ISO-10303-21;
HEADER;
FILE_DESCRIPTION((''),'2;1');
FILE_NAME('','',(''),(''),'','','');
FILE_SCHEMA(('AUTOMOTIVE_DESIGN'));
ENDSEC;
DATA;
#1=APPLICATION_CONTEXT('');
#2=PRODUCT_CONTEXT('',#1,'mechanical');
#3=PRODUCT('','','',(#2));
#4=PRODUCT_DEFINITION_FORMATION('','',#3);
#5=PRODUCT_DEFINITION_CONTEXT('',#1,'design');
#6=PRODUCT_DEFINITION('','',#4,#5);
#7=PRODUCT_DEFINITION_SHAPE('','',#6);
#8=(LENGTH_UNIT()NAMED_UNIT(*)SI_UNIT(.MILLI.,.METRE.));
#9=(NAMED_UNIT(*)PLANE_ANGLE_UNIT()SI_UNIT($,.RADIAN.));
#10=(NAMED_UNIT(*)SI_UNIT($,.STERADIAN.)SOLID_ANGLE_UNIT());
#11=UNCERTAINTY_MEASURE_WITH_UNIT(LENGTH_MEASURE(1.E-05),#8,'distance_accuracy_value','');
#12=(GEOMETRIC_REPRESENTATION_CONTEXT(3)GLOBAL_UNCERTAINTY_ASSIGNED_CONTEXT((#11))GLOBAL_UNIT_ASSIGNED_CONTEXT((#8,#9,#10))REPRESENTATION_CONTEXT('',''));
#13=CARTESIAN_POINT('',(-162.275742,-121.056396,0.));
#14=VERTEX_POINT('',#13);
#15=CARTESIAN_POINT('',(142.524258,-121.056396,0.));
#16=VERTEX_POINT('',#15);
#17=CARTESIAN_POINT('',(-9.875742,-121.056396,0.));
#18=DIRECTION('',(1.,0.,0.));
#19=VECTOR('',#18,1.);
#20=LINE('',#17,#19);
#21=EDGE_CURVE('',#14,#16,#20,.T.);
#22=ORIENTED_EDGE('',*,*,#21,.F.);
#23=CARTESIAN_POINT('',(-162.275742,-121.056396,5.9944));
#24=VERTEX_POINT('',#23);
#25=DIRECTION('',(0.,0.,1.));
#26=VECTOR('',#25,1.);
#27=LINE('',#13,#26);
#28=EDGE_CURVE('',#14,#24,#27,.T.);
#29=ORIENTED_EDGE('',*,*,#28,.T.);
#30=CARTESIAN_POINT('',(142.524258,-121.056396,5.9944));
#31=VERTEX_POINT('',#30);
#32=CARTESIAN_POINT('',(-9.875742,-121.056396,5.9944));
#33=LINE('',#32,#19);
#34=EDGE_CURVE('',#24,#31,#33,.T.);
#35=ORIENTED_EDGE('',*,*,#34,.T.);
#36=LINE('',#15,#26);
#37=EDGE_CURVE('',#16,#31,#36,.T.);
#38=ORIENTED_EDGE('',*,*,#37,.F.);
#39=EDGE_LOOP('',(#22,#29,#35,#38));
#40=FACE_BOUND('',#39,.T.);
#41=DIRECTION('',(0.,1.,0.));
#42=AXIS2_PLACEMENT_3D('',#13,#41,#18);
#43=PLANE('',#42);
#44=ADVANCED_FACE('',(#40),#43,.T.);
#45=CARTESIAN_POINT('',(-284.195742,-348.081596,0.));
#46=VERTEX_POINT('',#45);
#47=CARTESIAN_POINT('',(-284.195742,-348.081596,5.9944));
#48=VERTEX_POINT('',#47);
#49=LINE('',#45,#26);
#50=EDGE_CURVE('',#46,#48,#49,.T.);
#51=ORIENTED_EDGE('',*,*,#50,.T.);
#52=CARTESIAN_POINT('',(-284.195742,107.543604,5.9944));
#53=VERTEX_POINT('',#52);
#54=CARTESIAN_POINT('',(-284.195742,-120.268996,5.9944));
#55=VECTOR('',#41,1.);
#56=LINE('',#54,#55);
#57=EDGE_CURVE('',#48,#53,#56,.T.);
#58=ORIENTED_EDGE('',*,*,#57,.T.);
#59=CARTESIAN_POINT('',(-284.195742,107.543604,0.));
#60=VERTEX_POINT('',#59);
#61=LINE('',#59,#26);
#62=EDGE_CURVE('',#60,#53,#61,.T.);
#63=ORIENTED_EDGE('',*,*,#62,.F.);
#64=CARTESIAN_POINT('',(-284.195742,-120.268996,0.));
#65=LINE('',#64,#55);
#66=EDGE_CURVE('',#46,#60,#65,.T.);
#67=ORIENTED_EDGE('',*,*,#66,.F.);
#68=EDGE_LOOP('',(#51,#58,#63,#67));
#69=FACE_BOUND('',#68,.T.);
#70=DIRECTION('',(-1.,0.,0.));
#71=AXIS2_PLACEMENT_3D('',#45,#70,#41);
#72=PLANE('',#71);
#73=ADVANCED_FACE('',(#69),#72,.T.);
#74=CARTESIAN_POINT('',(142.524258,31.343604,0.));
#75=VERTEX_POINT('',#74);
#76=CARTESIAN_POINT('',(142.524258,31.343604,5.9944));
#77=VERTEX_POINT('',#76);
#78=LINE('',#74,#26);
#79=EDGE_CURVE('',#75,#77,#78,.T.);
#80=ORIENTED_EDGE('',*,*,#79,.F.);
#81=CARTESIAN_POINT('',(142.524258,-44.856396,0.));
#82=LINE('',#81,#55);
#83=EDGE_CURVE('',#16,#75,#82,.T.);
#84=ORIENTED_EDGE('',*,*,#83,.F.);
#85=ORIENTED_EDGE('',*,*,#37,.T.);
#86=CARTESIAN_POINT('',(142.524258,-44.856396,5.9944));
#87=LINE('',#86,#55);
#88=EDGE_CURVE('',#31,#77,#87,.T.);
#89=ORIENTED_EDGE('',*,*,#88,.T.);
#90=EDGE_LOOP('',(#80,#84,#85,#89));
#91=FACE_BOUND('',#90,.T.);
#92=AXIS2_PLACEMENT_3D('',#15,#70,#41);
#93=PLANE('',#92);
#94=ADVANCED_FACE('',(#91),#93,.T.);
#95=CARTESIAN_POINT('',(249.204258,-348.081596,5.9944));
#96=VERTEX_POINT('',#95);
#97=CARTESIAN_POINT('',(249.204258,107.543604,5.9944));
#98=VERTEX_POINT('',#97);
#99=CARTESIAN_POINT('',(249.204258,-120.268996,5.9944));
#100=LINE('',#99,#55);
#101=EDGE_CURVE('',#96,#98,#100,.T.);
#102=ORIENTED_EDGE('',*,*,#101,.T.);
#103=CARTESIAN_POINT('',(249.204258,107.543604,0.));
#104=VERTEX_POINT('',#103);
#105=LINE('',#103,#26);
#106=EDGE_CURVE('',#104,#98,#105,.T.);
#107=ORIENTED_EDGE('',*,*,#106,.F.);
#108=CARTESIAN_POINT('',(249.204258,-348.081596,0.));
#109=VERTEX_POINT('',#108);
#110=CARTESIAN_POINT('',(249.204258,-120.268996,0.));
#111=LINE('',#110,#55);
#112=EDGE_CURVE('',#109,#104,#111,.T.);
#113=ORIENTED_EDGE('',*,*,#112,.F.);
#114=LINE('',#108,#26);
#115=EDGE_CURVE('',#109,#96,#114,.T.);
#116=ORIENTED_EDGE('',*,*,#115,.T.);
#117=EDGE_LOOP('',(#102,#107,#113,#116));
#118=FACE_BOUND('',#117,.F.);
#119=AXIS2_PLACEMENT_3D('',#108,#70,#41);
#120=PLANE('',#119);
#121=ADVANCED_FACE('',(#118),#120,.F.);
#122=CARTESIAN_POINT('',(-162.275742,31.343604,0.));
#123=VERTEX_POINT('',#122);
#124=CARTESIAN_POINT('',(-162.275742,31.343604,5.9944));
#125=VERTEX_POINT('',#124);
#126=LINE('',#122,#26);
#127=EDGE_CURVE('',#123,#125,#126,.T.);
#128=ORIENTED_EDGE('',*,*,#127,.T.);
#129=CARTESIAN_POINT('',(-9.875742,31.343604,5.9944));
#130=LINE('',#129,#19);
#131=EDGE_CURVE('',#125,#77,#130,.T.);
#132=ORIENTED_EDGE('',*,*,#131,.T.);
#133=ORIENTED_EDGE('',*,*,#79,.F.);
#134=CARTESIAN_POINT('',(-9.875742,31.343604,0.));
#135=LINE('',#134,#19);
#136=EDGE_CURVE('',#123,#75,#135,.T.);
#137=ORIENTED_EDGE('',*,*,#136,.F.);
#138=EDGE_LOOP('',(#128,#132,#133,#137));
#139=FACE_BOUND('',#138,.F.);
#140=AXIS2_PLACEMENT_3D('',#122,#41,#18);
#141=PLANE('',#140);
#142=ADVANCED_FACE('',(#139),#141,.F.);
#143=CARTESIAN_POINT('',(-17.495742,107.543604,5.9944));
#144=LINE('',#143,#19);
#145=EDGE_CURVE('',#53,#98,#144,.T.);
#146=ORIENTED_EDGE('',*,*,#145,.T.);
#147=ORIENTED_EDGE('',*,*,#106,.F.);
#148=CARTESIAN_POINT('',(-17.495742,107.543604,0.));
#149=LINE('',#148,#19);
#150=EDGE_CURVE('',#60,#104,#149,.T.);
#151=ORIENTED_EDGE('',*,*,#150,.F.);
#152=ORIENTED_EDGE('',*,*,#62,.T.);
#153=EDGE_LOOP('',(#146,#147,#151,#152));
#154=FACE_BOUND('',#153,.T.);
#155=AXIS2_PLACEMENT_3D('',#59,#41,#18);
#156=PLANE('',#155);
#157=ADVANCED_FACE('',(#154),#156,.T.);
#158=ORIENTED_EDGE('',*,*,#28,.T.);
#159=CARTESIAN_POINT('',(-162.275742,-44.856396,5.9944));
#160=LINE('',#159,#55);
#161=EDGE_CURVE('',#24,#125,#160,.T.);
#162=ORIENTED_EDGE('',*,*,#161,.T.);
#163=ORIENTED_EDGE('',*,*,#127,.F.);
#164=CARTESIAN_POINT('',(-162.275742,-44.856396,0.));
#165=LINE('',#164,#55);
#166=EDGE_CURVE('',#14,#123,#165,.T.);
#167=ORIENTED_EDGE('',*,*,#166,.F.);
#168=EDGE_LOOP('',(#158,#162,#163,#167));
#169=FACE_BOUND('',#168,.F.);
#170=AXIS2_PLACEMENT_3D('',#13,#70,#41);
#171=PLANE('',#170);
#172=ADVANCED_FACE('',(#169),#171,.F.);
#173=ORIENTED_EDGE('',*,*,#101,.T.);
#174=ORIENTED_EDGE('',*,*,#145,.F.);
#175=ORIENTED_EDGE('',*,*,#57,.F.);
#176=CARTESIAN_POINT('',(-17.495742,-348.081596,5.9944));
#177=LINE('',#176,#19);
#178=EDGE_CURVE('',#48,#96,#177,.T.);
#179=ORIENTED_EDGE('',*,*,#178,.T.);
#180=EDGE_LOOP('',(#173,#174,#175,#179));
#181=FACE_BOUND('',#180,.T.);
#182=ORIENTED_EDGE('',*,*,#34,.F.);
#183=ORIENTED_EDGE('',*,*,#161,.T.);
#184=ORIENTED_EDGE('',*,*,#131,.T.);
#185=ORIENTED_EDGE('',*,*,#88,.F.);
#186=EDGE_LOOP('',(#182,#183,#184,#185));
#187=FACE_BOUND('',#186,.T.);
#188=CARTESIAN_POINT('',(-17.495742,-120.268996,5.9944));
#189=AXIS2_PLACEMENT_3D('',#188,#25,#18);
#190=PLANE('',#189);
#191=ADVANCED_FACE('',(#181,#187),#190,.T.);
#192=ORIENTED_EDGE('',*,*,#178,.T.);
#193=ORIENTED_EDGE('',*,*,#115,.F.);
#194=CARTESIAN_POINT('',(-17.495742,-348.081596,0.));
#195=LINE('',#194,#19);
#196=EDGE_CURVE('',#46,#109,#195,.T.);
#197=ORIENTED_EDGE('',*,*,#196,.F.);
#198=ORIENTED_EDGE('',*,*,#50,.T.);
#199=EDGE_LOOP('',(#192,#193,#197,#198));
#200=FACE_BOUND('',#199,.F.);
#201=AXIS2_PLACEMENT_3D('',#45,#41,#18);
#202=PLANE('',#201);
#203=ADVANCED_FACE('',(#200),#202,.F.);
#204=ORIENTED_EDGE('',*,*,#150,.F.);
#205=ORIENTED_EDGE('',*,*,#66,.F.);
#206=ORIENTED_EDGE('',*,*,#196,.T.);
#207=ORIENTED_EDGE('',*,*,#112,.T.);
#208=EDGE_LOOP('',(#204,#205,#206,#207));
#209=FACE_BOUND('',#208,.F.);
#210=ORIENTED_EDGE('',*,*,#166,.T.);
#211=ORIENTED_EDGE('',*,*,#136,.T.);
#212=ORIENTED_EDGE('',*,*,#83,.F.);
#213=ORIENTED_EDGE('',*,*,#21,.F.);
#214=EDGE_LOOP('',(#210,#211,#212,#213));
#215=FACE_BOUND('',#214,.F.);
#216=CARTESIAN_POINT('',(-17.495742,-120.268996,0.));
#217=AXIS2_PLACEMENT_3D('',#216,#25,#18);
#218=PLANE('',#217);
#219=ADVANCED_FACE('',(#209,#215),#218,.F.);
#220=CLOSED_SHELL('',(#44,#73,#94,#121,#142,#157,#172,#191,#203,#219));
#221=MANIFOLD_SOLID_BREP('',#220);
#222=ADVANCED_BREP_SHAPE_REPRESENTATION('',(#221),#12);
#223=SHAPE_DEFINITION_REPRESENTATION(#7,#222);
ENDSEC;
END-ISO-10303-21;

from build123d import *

# Parameters (mm, degrees)
SKETCH_W      = 533.4
SKETCH_H      = 455.6252
SKETCH_W_2    = 304.8
SKETCH_H_2    = 152.4
EXTRUDE_DEPTH = 5.9944


with BuildPart() as part:
    # Sketch → Extrude (new body)
    with BuildSketch(Plane.XY):
        with Locations((-17.495742, -120.268996)):
            Rectangle(SKETCH_W, SKETCH_H)
        with Locations((-9.875742, -44.856396)):
            Rectangle(SKETCH_W_2, SKETCH_H_2, mode=Mode.SUBTRACT)
    extrude(amount=EXTRUDE_DEPTH)


solid = part.part
